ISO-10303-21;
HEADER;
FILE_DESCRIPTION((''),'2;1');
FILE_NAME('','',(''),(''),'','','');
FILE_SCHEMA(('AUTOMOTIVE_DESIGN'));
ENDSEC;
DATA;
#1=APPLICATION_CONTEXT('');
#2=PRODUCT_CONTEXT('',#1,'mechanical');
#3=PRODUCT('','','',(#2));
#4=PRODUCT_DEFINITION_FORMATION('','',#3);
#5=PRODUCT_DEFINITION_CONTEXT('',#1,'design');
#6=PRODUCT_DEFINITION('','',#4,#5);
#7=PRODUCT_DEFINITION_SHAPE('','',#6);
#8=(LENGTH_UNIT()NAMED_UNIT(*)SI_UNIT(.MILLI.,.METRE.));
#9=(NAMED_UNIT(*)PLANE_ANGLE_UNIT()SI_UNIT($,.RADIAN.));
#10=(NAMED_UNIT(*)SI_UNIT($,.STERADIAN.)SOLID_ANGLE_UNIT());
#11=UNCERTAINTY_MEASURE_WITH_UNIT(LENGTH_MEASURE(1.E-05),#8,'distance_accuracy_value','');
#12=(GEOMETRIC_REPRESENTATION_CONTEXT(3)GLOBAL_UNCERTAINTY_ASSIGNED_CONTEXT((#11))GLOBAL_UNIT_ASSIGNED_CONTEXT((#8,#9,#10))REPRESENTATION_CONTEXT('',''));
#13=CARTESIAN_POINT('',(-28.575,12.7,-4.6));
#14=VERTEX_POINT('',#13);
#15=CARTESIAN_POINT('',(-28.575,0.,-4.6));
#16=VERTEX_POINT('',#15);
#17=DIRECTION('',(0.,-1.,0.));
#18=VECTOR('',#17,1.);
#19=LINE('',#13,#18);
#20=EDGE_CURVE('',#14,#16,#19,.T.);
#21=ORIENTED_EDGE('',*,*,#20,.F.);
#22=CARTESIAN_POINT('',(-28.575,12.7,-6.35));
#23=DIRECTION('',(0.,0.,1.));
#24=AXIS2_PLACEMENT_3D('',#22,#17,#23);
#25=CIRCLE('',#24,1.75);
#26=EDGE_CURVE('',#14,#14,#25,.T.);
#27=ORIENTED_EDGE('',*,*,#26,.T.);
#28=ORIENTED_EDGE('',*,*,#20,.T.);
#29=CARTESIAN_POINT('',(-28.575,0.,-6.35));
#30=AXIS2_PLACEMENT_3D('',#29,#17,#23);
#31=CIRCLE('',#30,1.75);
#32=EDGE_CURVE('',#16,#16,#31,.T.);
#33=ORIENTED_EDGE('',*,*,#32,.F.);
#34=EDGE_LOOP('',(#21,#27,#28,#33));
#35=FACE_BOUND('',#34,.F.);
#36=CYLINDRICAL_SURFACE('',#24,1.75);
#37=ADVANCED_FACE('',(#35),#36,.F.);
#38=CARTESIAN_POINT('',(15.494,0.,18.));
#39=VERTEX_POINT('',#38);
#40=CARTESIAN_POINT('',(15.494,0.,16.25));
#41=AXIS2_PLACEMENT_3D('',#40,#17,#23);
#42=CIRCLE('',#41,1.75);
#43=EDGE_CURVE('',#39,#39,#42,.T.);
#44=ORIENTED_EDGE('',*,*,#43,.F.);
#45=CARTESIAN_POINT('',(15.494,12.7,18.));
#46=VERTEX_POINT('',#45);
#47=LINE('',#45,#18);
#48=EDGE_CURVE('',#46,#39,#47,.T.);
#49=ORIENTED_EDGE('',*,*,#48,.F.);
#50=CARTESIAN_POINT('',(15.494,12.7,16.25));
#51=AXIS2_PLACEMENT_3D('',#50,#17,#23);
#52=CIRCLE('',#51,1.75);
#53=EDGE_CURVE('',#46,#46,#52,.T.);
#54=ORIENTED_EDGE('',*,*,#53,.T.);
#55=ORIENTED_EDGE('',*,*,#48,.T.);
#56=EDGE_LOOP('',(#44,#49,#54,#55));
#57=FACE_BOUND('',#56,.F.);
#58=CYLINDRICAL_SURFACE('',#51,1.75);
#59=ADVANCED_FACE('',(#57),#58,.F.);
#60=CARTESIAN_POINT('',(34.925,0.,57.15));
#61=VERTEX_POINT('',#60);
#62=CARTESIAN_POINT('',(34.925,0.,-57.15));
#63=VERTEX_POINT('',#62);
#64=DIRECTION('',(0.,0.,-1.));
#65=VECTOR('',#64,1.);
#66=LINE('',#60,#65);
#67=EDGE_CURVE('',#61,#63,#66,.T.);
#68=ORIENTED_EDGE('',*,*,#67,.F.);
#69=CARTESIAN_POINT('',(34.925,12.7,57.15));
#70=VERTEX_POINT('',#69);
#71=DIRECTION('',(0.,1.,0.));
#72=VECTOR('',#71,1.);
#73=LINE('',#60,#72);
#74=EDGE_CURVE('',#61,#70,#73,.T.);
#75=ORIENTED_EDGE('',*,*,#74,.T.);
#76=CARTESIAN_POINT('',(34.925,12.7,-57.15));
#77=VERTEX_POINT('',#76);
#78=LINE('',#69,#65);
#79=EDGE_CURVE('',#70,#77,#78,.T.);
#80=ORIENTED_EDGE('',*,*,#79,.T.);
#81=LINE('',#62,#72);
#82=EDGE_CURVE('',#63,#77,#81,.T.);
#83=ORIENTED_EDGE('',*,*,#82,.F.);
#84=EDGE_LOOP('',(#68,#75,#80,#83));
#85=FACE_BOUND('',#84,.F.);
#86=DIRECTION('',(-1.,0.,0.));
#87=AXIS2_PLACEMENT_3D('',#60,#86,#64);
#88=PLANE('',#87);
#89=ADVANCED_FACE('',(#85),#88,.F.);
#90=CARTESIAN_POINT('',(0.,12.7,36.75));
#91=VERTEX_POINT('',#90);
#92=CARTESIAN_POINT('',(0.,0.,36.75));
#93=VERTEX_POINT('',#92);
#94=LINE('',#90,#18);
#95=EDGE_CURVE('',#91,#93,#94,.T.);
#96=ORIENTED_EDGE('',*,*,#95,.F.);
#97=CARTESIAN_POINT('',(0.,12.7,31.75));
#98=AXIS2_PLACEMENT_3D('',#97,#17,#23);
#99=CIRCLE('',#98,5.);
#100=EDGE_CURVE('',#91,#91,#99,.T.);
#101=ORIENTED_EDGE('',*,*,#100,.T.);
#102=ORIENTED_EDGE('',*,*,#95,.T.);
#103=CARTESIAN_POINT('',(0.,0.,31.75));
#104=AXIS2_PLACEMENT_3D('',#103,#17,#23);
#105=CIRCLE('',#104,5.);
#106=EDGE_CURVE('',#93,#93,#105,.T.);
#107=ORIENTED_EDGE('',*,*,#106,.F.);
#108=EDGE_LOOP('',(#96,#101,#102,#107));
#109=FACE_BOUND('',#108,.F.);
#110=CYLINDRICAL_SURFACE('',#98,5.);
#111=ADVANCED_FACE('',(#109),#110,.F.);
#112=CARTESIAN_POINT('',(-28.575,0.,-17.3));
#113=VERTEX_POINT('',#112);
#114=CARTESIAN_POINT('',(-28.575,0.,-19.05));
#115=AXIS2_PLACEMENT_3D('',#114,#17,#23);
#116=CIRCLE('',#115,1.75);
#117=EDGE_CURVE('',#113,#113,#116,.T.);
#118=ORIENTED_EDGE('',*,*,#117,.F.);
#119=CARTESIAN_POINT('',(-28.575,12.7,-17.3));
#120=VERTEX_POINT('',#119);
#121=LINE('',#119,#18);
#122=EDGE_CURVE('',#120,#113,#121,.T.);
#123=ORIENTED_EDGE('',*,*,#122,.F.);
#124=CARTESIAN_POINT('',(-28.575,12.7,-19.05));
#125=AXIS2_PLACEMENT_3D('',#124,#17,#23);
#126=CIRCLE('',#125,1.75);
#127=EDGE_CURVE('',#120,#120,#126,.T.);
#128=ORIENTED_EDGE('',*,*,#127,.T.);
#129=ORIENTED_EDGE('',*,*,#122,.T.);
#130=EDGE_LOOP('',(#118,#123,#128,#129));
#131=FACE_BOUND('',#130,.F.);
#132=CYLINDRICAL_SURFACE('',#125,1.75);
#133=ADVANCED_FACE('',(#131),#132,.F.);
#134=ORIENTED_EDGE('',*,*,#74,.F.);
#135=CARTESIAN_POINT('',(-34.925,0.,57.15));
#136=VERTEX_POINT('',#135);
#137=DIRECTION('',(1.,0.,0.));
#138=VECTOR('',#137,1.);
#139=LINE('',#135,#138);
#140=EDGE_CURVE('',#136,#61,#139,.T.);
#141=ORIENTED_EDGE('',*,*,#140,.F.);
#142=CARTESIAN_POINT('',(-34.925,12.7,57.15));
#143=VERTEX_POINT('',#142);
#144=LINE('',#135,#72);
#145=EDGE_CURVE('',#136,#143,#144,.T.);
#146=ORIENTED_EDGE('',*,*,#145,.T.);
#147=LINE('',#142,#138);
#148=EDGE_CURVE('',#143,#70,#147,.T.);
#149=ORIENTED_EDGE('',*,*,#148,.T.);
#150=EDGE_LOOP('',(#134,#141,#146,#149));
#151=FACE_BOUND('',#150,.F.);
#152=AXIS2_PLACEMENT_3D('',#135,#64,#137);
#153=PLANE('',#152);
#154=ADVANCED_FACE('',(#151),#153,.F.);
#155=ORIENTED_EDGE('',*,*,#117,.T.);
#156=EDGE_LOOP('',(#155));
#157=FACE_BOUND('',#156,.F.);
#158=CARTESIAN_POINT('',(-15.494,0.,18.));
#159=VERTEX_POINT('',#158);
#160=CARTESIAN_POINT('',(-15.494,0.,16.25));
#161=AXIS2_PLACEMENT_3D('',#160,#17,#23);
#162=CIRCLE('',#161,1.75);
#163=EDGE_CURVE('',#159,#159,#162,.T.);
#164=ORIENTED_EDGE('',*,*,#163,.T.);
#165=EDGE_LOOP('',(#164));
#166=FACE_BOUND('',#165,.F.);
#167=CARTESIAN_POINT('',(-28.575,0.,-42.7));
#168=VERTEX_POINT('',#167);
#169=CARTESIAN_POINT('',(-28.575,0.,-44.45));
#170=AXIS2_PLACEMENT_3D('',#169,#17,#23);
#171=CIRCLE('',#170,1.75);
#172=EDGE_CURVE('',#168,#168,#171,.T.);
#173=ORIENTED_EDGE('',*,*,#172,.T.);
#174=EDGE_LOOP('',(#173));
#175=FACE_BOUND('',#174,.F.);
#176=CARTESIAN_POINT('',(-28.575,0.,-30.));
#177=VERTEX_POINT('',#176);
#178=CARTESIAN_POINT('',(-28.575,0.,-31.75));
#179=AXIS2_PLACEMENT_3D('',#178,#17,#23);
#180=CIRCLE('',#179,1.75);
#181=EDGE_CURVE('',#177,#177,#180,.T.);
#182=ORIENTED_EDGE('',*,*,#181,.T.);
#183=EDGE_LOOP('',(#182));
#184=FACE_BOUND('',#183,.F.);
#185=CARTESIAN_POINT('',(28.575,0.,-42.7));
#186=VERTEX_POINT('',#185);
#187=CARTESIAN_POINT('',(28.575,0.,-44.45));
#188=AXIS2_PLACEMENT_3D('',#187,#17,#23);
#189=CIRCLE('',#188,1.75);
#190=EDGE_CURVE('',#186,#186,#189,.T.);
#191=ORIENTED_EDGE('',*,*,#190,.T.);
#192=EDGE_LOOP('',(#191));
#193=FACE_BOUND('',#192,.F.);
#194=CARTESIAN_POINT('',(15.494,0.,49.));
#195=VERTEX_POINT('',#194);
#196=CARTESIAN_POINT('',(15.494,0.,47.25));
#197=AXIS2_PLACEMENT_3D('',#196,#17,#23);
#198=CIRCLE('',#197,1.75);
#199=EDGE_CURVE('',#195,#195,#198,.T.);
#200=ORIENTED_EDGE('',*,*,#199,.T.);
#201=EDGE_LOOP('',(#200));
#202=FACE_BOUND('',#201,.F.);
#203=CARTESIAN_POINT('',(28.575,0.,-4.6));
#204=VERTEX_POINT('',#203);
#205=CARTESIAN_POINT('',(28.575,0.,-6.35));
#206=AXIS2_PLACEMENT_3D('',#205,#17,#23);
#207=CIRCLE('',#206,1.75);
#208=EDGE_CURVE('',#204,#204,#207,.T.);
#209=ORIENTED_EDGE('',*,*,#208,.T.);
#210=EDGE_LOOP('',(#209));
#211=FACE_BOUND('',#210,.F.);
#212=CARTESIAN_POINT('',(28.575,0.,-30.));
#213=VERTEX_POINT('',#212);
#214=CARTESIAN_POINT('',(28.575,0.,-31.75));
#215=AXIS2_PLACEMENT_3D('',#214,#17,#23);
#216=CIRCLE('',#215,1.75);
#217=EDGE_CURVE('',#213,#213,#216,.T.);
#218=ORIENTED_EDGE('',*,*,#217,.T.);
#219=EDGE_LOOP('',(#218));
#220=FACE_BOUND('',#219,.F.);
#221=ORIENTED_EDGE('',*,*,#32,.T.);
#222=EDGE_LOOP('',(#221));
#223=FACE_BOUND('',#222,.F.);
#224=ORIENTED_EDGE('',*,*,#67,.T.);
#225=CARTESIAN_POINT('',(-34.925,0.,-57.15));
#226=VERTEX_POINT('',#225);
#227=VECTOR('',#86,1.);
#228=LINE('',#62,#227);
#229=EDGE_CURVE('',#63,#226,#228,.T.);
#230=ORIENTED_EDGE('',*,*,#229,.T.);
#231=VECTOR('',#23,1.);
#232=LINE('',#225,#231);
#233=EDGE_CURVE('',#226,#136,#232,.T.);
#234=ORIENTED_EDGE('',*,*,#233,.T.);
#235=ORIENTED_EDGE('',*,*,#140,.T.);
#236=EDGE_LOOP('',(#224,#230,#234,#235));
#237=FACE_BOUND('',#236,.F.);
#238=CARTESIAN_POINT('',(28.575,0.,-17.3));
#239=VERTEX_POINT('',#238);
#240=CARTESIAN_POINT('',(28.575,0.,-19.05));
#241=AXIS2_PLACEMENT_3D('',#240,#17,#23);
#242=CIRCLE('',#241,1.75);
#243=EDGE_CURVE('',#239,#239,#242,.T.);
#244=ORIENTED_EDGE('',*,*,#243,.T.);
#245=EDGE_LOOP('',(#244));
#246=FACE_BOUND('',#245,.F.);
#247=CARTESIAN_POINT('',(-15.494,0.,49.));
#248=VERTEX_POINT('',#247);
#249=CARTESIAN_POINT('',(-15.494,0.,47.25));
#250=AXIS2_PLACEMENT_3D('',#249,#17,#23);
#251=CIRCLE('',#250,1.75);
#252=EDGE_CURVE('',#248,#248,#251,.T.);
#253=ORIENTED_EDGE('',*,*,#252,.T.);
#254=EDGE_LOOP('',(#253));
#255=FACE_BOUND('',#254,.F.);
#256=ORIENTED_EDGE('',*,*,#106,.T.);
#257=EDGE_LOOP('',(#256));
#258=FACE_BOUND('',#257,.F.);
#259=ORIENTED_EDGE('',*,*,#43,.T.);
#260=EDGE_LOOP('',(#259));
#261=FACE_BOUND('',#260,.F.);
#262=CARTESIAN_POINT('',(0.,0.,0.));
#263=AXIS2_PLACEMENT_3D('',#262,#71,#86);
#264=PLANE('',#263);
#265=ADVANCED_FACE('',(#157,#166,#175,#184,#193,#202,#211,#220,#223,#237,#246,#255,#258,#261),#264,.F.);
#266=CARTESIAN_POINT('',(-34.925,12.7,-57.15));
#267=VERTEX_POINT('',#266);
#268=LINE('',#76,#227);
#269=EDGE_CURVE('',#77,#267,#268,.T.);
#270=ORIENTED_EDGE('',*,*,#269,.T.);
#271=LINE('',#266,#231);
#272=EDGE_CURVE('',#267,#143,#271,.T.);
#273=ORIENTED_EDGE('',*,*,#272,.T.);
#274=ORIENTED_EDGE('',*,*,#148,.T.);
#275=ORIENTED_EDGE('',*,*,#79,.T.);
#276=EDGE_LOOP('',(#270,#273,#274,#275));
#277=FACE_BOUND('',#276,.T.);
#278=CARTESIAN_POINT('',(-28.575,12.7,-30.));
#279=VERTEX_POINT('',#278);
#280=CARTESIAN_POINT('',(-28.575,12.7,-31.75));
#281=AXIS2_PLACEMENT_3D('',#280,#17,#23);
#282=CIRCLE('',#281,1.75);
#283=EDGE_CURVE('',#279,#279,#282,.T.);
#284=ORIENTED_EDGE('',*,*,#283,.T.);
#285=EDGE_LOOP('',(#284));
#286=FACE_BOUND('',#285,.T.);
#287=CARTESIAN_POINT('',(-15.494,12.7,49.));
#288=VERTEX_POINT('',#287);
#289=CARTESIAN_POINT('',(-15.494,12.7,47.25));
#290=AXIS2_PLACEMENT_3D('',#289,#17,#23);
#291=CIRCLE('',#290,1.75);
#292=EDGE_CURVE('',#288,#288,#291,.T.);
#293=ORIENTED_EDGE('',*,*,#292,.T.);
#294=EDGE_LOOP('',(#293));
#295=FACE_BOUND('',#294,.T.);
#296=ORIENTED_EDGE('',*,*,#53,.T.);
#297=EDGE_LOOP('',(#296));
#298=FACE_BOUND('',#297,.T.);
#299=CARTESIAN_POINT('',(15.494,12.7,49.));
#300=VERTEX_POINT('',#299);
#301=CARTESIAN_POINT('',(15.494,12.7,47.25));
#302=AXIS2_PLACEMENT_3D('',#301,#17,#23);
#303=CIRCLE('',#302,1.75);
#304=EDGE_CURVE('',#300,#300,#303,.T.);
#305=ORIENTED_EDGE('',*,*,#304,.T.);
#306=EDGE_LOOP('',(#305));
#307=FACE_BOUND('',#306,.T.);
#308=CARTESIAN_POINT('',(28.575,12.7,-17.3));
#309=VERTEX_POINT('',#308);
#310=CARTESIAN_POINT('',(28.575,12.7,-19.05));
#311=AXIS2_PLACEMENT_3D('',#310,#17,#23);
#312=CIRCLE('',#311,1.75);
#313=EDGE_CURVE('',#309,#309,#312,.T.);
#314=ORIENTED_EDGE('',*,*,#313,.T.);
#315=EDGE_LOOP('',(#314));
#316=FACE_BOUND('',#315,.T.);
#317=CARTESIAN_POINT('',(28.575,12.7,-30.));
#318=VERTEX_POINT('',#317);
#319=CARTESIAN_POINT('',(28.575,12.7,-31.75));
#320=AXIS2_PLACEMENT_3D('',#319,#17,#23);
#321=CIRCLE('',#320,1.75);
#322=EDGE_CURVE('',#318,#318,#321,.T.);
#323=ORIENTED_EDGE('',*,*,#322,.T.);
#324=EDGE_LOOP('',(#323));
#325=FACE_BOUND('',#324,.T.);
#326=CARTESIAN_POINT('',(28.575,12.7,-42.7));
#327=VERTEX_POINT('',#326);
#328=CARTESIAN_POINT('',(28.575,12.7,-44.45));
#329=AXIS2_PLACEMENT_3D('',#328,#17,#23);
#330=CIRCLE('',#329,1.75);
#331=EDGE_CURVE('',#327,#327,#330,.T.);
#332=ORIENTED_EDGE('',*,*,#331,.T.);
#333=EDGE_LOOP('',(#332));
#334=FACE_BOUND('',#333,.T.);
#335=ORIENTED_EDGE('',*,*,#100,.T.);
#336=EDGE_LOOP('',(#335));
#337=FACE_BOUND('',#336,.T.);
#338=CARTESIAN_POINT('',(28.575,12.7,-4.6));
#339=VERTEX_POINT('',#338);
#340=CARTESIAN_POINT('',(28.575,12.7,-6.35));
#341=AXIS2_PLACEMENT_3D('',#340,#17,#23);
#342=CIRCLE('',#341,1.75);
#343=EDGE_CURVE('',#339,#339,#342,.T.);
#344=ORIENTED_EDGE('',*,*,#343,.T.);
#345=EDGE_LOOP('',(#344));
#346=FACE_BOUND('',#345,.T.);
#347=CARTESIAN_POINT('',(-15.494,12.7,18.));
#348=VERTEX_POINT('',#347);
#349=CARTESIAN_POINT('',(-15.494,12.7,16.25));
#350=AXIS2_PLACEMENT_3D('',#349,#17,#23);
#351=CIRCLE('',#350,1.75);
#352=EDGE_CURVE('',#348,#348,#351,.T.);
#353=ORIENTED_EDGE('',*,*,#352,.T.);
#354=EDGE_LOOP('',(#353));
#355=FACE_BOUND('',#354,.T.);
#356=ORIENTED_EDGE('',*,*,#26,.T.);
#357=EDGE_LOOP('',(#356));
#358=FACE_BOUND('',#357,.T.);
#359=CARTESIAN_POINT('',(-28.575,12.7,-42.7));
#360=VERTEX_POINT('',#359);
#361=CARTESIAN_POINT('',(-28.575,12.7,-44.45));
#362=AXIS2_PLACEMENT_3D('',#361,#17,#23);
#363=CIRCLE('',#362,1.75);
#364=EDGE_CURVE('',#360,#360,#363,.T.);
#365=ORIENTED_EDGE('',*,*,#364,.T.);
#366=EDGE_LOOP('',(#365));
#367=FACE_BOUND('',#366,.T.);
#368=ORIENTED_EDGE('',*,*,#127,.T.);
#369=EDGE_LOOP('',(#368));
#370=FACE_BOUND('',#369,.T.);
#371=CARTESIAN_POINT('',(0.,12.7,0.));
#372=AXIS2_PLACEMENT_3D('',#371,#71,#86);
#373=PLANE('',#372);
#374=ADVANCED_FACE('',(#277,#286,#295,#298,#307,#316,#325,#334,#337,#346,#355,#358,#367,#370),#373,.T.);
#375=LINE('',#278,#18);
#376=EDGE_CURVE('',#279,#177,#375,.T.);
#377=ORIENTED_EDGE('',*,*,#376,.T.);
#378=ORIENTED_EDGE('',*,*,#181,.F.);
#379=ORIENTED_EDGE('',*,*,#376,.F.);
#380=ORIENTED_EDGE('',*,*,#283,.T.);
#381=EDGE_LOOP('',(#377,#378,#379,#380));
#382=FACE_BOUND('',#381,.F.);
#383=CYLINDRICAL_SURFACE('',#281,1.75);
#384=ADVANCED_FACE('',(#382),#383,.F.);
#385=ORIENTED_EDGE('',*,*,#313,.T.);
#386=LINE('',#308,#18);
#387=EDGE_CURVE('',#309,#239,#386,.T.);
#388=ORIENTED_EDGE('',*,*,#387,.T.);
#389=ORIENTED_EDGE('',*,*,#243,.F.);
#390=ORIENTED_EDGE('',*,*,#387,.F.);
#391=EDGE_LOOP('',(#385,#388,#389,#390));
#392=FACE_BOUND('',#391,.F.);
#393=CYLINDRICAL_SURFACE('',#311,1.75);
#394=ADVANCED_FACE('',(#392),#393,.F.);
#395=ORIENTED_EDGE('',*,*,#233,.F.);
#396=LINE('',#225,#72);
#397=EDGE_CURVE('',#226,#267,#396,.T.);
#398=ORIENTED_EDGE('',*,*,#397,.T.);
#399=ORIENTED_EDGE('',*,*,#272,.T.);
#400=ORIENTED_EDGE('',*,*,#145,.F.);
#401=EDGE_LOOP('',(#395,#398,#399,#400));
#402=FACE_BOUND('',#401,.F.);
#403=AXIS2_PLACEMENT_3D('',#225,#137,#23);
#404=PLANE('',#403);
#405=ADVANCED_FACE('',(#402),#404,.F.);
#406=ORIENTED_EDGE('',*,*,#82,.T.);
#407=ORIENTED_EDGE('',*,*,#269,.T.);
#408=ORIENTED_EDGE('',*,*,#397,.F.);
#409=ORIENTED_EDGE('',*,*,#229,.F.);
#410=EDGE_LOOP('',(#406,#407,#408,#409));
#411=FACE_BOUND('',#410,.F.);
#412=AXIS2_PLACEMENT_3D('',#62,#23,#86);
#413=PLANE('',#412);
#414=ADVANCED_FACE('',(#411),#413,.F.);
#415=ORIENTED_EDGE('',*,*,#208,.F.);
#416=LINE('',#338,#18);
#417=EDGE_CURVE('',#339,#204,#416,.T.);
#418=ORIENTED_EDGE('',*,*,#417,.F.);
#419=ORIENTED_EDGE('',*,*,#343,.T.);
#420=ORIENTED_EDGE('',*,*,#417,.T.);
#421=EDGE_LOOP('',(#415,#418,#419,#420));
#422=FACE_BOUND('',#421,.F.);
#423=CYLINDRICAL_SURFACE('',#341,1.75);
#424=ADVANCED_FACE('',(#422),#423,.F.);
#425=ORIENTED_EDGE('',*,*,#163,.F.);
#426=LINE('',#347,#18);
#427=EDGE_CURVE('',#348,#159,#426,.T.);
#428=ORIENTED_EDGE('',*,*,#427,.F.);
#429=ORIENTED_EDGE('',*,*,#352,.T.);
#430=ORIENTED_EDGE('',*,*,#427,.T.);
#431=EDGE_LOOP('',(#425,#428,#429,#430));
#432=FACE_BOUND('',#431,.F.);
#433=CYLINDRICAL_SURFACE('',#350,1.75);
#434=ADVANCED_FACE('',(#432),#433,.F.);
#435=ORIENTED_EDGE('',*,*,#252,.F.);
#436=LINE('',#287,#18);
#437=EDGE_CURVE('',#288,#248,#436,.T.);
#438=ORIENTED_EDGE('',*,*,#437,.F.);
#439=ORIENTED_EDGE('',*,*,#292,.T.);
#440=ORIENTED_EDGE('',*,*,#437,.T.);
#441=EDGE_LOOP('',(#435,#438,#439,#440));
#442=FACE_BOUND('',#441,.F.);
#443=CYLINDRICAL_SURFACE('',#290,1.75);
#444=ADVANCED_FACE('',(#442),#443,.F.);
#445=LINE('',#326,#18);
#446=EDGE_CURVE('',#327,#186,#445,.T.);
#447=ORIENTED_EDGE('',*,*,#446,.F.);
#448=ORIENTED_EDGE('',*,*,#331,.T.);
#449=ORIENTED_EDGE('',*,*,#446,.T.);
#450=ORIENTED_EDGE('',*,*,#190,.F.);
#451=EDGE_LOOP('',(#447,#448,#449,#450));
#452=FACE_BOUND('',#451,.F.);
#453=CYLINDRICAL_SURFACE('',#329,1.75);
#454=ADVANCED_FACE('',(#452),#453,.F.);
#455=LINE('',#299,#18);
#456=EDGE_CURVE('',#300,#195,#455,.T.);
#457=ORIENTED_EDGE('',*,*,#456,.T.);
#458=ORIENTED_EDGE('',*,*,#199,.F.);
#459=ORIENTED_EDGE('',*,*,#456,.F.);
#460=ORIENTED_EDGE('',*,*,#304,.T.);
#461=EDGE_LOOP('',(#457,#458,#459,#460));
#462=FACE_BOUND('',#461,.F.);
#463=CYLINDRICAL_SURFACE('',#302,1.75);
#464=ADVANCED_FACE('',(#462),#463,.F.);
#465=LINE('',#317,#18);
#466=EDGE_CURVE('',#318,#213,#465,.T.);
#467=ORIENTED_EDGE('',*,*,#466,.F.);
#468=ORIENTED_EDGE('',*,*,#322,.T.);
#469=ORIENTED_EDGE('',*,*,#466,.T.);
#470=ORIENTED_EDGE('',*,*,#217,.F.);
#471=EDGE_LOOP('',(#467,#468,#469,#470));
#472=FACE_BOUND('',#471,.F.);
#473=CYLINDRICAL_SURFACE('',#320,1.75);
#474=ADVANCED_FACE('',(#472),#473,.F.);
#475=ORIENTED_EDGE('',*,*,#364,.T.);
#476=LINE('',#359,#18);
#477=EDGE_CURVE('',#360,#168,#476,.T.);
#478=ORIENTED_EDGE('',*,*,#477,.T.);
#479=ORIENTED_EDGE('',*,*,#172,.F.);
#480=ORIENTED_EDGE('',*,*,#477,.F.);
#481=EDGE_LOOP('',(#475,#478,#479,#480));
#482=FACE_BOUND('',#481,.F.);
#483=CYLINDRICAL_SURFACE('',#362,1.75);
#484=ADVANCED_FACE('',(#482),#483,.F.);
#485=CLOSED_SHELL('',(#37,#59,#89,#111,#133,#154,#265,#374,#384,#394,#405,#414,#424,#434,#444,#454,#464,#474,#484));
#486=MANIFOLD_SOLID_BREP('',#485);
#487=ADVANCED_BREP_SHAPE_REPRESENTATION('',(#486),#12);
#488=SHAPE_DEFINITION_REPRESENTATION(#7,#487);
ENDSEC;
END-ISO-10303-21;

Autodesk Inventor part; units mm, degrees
ref_plane "YZ Plane" through (0, 0, 0) normal (1, 0, 0) x (0, 1, 0)
ref_plane "XZ Plane" through (0, 0, 0) normal (0, 1, 0) x (-1, 0, 0)
ref_plane "XY Plane" through (0, 0, 0) normal (0, 0, 1) x (1, 0, 0)
sketch "Sketch1" plane through (0, 0, 0) normal (0, 1, 0) x (-1, 0, 0)
  line L0 (-34.925, -57.15) -> (34.925, -57.15)
  line L1 (34.925, -57.15) -> (34.925, 57.15)
  line L2 (34.925, 57.15) -> (-34.925, 57.15)
  line L3 (-34.925, 57.15) -> (-34.925, -57.15)
  line L4 (-34.925, -57.15) -> (34.925, 57.15) construction
  line L5 (34.925, -57.15) -> (-34.925, 57.15) construction
  point P0 (0, 0)
  dimension "d0" = 69.85
  dimension "d1" = 114.3
extrude "Extrusion1" add sketch "Sketch1" along normal blind 12.7
sketch "Sketch2" plane through (0, 12.7, 0) normal (0, 1, 0) x (1, 0, 0)
  line L0 (0, 0) -> (0, -188.6697)
  line L1 (43.5518, -31.75) -> (-58.772, -31.75)
  line L2 (52.9625, 0) -> (-57.3554, 0)
  line L3 (-34.925, -57.15) -> (34.925, -57.15) projected
  point P0 (15.494, -47.25)
  point P1 (15.494, -16.25)
  point P2 (-15.494, -47.25)
  point P3 (-15.494, -16.25)
  point P4 (0, -31.75)
  dimension "d7" = 31
  dimension "d8" = 30.988
  dimension "d46" = 25.4
hole "Hole1" at (15.494, 12.7, 47.25) at (15.494, 12.7, 16.25) at (-15.494, 12.7, 16.25) at (-15.494, 12.7, 47.25) direction (0, -1, 0) diameter 3.5 end through all
sketch "Sketch4" plane through (0, 12.7, 0) normal (0, 1, 0) x (1, 0, 0)
  circle A0 centre (15.494, -16.25) radius 1.75 projected
  circle A1 centre (-15.494, -47.25) radius 1.75 projected
  line L0 (15.494, -16.25) -> (-15.494, -47.25)
  circle A2 centre (-15.494, -16.25) radius 1.75 projected
  circle A3 centre (15.494, -47.25) radius 1.75 projected
  line L1 (-15.494, -16.25) -> (15.494, -47.25)
  point P0 (0, 0)
  point P1 (0, -31.75)
hole "Hole2" at (0, 12.7, 31.75) direction (0, -1, 0) diameter 10 end through all
sketch "Sketch6" plane through (0, 12.7, 0) normal (0, 1, 0) x (1, 0, 0)
  line L0 (0, -77.2056) -> (0, 91.7239)
  line L1 (-28.575, 6.35) -> (-28.575, 44.45)
  line L2 (-34.925, 57.15) -> (-34.925, -57.15) projected
  line L3 (-34.925, 0) -> (-34.925, 57.15)
  line L4 (28.575, 6.35) -> (28.575, 44.45)
  line L5 (-64.5272, 0) -> (76.1693, 0)
  line L6 (34.925, 57.15) -> (-34.925, 57.15)
  line L7 (34.925, 57.15) -> (-34.925, 57.15) projected
  point P0 (0, 0)
  point P1 (-28.575, 19.05)
  point P2 (-28.575, 31.75)
  point P3 (28.575, 19.05)
  point P4 (28.575, 31.75)
  dimension "d29" = 12.7
  dimension "d30" = 12.7
  dimension "d31" = 12.7
  dimension "d34" = 6.35
  dimension "d44" = 12.7
hole "Hole3" at (-28.575, 12.7, -6.35) at (-28.575, 12.7, -19.05) at (-28.575, 12.7, -31.75) at (-28.575, 12.7, -44.45) at (28.575, 12.7, -44.45) at (28.575, 12.7, -31.75) at (28.575, 12.7, -19.05) at (28.575, 12.7, -6.35) direction (0, -1, 0) diameter 3.5 end through all
equation "\"d30\" = d29"
equation "\"d31\" = d30"
properties part number "Lead_Screw_Fixture_Base"
